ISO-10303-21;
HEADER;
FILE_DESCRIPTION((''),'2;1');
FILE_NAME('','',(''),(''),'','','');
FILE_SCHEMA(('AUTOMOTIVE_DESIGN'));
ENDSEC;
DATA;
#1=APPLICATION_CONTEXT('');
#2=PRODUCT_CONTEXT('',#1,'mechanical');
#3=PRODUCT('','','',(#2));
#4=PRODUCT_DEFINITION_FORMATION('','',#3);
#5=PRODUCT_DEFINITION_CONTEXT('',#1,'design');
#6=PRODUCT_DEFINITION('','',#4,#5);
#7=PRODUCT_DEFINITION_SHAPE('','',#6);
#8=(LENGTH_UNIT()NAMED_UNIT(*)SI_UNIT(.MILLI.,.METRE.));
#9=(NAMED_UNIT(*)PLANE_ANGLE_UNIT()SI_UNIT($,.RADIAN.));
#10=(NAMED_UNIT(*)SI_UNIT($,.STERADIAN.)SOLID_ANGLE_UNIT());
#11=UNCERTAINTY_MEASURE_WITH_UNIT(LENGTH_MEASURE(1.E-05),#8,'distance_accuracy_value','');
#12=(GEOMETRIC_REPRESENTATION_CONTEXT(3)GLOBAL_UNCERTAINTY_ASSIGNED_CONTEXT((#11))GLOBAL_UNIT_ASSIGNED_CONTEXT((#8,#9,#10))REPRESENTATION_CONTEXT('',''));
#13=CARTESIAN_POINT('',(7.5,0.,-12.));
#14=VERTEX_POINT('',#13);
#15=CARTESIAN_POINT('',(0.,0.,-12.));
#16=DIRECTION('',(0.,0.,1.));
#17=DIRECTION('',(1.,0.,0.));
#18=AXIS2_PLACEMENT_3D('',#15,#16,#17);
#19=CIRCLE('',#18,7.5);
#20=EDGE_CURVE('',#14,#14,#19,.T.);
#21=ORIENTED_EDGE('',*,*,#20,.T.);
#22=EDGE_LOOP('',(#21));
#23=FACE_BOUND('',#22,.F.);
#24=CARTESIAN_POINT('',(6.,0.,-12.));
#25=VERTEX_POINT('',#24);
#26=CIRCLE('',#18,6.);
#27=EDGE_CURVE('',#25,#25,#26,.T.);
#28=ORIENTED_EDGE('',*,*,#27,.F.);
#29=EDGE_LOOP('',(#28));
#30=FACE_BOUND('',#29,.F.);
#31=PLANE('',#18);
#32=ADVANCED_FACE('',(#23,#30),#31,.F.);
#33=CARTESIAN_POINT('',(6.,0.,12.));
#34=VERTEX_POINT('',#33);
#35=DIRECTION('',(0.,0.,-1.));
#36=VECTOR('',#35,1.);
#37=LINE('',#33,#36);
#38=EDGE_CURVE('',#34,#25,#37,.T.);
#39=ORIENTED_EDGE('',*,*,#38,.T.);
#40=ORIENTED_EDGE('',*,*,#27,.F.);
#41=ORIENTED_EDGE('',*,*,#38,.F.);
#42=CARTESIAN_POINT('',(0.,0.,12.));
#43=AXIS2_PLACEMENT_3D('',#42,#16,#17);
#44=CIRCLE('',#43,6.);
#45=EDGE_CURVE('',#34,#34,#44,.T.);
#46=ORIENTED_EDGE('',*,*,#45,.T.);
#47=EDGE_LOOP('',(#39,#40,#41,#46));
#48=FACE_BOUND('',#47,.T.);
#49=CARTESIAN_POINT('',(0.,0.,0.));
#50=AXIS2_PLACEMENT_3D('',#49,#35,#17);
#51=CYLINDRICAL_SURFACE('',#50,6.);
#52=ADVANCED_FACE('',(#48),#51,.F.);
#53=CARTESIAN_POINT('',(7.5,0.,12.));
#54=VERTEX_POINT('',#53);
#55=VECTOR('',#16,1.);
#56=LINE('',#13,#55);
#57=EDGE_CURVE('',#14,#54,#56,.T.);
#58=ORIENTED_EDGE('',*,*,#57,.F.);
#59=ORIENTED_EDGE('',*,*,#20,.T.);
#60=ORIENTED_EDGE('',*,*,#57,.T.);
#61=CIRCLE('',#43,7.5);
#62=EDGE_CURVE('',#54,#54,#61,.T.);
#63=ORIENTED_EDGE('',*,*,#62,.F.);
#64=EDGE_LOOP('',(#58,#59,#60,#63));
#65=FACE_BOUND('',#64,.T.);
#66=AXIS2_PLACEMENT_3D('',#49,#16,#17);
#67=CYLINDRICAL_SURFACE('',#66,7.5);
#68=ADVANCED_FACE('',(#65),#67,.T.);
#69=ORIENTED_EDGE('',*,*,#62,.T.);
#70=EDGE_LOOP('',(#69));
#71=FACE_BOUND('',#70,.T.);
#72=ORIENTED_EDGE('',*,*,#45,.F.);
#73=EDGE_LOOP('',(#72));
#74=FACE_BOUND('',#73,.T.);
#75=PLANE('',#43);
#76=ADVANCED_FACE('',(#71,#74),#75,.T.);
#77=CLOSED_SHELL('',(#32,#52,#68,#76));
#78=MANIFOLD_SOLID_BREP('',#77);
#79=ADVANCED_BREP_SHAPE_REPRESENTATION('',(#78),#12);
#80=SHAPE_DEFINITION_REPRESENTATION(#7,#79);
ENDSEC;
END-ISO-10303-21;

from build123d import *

# Parameters (mm, degrees)
SKETCH1_R           = 7.5
SKETCH1_R_2         = 6
BOSS_EXTRUDE1_DEPTH = 12


with BuildPart() as part:
    # Sketch1 → Boss-Extrude1 (new body, symmetric)
    with BuildSketch(Plane.XY):
        Circle(SKETCH1_R)
        Circle(SKETCH1_R_2, mode=Mode.SUBTRACT)
    extrude(amount=BOSS_EXTRUDE1_DEPTH, both=True)


solid = part.part
